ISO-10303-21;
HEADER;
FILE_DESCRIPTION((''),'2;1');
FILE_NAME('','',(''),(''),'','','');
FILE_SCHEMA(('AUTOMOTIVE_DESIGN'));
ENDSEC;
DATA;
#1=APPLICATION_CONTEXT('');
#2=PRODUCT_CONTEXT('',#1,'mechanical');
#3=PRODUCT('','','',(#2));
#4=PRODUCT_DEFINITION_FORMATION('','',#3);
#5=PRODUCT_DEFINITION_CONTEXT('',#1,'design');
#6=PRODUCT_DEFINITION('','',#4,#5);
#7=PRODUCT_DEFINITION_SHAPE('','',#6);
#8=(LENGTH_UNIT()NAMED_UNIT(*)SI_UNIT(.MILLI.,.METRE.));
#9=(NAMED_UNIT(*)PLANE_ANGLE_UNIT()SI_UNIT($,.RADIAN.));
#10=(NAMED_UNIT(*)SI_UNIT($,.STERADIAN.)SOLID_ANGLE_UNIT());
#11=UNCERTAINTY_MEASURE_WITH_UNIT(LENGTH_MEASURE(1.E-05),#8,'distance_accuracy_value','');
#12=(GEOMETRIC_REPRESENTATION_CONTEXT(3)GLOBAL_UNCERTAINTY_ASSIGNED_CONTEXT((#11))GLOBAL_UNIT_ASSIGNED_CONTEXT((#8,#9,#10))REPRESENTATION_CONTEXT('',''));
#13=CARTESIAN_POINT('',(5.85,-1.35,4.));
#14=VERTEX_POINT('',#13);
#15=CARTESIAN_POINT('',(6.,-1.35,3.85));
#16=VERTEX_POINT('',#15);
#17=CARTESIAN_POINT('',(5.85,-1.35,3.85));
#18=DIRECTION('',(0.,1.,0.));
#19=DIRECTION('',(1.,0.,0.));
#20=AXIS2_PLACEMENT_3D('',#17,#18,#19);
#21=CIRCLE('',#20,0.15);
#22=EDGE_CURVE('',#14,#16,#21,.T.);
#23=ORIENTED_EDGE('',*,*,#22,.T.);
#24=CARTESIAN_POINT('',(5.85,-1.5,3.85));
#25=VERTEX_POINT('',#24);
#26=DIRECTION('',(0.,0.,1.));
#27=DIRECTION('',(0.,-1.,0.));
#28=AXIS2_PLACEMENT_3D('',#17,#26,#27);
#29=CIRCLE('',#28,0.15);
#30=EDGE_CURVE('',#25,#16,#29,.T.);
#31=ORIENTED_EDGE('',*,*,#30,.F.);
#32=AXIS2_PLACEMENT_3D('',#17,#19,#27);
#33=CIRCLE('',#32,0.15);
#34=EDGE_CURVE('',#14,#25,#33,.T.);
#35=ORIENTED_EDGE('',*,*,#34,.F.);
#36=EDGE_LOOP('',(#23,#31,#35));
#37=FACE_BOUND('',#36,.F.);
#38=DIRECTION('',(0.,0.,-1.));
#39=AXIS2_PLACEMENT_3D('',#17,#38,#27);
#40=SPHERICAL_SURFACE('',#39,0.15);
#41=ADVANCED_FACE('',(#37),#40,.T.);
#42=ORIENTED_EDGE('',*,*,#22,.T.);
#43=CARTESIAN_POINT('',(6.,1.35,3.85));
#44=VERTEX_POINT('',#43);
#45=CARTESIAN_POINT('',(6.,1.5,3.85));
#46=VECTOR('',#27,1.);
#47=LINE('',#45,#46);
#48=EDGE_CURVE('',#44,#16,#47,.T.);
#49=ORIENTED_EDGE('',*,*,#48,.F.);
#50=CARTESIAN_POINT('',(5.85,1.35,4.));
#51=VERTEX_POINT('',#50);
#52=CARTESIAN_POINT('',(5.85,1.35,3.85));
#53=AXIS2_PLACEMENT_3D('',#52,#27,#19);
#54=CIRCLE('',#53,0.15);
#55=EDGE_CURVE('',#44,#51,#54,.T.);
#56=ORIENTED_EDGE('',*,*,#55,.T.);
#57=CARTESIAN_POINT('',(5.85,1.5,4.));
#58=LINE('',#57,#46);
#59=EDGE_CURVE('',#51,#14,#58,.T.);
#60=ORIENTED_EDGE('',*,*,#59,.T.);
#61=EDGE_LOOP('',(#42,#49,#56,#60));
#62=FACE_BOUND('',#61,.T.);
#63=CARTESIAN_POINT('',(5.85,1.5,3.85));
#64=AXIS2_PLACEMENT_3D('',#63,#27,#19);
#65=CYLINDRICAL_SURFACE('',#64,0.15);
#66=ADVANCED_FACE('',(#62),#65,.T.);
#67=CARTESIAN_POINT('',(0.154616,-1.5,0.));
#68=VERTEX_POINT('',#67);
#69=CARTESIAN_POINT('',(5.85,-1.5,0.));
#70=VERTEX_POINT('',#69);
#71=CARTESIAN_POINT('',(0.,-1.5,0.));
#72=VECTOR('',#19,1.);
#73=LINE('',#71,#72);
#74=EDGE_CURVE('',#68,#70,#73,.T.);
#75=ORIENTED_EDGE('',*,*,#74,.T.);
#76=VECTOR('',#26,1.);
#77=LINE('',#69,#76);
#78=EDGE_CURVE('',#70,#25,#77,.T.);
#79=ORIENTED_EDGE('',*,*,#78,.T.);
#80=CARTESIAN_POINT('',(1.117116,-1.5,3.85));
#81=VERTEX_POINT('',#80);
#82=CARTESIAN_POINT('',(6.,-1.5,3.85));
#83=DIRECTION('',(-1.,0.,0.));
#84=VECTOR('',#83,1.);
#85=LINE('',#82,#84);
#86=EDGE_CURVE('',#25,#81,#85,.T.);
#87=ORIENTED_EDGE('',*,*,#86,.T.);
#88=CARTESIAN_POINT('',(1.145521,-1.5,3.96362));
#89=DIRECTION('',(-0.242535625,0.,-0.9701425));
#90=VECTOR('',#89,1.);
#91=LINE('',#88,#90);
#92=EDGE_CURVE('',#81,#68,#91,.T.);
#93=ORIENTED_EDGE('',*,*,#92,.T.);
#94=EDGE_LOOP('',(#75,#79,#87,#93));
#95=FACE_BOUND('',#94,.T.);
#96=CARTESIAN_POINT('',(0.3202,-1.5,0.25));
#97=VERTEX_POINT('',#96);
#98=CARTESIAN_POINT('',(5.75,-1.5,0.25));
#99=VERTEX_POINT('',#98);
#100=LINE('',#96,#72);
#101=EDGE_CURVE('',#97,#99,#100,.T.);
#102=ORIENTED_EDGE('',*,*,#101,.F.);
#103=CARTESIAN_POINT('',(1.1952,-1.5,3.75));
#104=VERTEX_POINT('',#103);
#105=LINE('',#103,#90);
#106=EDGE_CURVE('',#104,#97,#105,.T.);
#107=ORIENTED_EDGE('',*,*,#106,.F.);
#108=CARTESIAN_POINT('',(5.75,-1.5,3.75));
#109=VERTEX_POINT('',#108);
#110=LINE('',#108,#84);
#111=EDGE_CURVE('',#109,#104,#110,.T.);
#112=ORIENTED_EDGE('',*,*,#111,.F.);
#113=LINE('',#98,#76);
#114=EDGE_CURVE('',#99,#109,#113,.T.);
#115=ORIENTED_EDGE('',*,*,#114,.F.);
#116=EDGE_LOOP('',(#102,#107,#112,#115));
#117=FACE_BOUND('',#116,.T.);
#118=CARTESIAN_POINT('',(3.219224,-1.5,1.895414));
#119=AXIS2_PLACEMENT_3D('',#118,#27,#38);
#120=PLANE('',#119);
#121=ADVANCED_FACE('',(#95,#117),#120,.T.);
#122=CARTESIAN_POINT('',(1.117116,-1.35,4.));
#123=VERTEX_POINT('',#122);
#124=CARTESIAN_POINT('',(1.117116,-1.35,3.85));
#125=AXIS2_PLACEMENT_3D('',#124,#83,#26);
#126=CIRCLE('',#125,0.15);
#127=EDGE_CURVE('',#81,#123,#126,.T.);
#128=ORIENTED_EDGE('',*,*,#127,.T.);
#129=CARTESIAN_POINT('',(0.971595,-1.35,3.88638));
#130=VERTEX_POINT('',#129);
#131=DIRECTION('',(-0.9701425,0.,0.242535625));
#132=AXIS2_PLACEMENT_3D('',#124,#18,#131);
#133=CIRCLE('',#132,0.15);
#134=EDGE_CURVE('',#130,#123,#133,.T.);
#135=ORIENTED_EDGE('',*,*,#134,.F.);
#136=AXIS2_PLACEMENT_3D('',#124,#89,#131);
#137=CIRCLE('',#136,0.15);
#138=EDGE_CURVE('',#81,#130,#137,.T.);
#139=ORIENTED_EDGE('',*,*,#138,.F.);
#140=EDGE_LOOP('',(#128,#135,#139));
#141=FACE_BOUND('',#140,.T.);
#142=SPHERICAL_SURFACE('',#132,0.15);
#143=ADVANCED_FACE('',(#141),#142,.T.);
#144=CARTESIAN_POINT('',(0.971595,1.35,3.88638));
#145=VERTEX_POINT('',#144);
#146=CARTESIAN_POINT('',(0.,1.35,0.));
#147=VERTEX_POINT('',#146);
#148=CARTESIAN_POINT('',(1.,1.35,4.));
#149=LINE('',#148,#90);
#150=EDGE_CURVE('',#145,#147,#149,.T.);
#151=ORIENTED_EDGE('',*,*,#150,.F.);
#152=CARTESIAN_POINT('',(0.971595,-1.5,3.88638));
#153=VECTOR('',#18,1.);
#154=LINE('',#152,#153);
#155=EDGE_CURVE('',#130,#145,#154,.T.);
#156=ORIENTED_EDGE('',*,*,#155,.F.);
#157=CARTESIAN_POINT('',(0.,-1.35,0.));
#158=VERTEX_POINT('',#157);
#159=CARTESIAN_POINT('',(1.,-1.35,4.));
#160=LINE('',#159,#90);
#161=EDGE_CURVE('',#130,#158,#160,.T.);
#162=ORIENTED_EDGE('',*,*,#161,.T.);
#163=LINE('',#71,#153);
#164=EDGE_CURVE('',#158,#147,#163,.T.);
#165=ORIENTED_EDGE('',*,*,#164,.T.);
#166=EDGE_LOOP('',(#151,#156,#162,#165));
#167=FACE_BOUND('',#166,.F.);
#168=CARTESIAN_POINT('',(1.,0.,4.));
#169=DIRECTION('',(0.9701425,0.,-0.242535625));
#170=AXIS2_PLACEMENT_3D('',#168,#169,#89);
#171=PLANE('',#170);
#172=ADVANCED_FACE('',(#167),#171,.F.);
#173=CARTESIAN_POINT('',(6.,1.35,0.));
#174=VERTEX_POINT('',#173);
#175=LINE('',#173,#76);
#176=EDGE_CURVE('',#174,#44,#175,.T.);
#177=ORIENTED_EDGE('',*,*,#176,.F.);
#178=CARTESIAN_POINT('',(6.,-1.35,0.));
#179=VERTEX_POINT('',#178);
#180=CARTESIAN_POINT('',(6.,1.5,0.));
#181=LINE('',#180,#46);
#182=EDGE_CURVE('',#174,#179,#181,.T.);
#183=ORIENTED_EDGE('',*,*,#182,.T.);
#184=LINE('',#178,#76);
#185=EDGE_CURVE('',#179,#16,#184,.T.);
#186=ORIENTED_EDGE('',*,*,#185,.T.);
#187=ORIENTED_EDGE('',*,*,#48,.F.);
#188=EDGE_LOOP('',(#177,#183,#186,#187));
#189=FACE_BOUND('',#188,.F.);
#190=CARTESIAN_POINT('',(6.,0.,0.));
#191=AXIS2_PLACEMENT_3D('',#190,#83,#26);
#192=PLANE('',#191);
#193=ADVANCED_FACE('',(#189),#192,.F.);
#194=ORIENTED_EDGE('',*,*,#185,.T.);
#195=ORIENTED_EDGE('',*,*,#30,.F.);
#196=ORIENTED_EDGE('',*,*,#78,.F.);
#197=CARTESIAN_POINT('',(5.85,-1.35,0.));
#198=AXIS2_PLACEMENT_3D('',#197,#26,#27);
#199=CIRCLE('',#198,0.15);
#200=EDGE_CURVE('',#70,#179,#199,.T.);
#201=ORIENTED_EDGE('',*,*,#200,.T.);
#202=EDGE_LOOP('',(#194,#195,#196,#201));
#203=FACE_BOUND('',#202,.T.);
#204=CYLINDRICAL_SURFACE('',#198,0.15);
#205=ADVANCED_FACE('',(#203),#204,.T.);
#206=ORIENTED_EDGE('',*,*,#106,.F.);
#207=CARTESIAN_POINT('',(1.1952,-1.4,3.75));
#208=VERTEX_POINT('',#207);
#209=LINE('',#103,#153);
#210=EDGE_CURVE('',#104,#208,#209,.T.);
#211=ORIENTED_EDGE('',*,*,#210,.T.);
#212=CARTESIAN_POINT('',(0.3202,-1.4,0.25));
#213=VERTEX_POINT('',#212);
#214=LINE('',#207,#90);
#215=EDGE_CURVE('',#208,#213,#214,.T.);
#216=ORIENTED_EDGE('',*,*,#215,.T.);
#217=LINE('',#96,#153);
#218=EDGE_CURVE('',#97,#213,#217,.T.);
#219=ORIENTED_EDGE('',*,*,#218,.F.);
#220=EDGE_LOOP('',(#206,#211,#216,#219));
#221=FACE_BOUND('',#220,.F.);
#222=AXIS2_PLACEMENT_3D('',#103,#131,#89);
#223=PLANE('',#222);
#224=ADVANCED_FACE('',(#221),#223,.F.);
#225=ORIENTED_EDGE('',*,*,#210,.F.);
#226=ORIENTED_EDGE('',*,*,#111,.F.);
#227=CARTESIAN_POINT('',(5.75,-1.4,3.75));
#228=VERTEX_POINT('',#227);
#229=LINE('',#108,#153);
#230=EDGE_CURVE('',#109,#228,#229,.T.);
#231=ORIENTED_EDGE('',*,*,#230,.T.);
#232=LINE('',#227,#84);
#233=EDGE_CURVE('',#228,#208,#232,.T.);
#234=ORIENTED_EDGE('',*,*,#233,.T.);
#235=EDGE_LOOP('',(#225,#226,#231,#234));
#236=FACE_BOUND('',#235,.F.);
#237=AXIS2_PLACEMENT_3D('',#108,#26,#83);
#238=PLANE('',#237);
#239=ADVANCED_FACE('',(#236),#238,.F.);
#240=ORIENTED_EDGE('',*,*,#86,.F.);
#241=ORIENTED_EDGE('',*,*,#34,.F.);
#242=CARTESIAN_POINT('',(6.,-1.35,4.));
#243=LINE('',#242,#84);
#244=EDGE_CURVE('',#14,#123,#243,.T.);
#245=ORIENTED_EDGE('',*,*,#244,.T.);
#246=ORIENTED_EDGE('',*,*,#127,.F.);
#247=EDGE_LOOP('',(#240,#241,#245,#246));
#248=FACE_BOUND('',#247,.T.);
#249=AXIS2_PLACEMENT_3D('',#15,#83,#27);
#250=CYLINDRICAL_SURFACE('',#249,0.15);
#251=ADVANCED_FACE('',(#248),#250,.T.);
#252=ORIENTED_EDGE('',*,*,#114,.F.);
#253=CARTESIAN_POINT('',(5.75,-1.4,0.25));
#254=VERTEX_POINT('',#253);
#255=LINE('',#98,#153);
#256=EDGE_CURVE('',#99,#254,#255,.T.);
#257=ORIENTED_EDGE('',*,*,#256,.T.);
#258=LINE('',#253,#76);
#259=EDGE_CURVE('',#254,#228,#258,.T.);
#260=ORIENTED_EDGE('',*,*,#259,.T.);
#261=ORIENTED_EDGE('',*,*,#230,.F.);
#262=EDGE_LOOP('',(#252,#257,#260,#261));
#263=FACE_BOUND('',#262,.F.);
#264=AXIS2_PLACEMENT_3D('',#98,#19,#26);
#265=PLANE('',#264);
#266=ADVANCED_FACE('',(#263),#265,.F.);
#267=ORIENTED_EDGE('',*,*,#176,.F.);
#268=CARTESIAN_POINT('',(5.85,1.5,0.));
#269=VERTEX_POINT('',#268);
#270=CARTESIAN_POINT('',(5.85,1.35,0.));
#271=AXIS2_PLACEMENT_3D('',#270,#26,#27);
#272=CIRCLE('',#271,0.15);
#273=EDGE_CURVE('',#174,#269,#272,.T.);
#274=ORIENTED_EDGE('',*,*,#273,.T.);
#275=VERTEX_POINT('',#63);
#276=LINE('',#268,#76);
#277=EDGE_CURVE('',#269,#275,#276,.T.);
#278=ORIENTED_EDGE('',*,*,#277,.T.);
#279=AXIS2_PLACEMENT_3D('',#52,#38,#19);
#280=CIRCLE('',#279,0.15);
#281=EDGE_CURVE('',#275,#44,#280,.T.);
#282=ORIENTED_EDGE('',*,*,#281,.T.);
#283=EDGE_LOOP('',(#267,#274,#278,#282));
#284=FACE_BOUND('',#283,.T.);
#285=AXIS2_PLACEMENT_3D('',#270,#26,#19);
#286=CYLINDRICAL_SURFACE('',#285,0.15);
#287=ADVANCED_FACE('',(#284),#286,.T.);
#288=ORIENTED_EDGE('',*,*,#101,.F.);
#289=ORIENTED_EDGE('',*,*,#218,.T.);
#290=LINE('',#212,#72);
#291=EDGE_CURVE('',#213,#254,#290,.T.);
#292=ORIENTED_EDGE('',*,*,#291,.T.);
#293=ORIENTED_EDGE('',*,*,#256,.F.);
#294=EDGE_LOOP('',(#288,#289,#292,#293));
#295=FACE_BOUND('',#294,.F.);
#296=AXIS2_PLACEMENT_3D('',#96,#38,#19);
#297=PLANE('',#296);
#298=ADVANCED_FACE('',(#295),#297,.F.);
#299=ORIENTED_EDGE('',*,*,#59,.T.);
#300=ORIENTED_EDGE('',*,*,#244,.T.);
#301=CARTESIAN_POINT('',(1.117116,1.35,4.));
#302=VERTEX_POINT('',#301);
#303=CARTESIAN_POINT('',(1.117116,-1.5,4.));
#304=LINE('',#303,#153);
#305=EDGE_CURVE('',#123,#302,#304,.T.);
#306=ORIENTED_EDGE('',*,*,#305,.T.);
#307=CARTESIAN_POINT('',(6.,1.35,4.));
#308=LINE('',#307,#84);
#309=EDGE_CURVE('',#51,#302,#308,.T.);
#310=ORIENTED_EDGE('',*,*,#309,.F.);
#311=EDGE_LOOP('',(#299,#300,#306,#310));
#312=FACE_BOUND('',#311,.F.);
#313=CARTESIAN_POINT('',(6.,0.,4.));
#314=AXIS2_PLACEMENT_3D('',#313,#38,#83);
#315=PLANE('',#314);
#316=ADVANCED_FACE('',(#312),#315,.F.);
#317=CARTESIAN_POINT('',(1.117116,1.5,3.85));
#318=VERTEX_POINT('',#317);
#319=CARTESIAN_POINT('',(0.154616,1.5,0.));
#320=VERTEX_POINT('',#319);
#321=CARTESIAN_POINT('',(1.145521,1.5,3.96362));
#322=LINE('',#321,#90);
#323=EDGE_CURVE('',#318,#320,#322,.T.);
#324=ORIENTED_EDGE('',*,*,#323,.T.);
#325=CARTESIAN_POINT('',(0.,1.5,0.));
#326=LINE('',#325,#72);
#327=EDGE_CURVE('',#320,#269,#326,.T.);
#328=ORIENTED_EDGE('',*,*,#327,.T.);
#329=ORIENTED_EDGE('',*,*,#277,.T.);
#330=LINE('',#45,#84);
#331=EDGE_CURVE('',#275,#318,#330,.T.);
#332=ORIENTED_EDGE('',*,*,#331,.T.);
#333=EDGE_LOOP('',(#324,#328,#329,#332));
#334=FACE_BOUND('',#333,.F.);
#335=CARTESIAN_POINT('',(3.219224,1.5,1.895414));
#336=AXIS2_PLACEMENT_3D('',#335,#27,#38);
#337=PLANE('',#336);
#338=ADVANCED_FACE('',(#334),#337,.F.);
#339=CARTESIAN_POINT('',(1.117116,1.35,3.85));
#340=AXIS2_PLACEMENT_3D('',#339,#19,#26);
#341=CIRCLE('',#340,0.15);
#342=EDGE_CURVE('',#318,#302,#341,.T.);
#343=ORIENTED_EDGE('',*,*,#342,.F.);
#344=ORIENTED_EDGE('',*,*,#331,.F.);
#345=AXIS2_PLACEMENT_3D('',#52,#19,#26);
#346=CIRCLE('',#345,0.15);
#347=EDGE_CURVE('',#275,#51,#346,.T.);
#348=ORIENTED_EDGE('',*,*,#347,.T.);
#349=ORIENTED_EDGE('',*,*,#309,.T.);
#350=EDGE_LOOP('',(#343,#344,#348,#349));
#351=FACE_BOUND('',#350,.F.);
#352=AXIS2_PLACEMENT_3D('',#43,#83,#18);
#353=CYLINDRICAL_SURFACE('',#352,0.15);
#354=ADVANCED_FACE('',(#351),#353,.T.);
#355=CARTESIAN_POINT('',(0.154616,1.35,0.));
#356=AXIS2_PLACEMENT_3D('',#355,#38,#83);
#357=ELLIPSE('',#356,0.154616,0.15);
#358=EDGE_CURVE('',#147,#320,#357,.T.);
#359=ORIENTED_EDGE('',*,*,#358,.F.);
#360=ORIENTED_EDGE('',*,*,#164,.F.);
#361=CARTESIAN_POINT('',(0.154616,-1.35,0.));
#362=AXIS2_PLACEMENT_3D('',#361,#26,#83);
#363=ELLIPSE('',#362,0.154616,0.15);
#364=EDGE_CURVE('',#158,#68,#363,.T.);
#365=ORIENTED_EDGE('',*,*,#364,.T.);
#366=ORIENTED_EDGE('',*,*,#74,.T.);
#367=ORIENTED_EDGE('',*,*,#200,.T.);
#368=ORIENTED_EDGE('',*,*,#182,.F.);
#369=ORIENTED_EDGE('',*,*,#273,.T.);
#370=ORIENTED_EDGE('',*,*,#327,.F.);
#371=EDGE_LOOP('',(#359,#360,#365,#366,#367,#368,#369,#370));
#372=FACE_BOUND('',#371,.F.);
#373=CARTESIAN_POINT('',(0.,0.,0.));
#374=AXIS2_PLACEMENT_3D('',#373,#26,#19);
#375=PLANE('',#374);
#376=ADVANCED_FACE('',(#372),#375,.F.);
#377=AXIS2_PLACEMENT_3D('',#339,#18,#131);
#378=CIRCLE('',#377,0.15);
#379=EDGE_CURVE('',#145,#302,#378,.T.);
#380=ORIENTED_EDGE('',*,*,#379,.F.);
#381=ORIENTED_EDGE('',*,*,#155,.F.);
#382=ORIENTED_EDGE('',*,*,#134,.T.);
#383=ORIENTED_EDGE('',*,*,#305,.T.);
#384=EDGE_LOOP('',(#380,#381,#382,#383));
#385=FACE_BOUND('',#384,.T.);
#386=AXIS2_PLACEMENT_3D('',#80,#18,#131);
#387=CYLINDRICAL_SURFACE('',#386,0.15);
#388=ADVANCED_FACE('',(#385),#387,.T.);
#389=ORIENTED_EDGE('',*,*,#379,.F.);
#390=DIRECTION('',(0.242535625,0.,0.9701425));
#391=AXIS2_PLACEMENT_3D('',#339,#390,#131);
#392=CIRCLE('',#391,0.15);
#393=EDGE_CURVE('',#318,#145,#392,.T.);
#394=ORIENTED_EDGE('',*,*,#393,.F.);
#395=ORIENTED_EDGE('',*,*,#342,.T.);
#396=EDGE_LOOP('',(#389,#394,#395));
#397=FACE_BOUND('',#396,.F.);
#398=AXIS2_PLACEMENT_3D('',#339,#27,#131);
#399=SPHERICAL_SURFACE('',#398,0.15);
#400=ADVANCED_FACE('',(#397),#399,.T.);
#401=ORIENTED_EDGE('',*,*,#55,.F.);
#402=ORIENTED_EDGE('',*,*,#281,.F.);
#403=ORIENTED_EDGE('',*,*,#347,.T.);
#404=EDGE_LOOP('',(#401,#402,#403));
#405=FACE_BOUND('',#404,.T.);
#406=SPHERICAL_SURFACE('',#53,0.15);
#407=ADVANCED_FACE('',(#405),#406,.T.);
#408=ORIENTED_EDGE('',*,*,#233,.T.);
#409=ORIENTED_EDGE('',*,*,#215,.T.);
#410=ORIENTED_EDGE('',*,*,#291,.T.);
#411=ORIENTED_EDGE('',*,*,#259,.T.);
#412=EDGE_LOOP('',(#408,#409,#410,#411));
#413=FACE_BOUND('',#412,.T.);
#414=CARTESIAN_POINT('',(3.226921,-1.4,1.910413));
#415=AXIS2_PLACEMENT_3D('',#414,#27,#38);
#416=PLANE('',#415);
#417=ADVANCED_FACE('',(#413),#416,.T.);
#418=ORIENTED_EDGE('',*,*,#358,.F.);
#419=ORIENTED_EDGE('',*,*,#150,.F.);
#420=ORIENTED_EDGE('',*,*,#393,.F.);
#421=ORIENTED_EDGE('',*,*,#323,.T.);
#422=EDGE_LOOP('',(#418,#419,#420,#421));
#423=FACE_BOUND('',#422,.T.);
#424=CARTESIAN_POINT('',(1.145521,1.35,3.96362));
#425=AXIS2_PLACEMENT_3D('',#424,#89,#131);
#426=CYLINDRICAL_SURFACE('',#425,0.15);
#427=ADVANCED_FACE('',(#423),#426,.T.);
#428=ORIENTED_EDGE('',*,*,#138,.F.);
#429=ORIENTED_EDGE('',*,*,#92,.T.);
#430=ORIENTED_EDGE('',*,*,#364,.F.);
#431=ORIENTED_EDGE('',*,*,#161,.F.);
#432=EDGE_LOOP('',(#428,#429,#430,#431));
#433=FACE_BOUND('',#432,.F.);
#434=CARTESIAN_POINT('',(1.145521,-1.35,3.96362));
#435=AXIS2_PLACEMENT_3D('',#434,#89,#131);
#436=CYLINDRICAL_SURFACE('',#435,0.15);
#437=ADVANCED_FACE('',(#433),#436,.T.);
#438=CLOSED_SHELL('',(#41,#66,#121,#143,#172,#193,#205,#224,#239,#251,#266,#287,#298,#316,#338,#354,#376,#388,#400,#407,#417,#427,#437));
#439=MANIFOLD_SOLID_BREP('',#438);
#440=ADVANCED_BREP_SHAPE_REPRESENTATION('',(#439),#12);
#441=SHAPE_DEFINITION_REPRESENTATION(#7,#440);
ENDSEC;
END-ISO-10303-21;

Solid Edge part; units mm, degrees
sketch "Sketch1" plane through (0, 0, 0) normal (0, -1, 0) x (1, 0, 0)
  line L0 (0, 0) -> (6, 0)
  line L1 (6, 0) -> (6, 4)
  line L2 (6, 4) -> (1, 4)
  line L3 (1, 4) -> (0, 0)
extrude "Protrusion1" add sketch "Sketch1" along normal mid plane 3
sketch "Sketch2" plane through (3, -1.5, 2) normal (0, -1, 0) x (1, 0, 0)
  line L0 (-1.8048, 1.75) -> (-2.6798, -1.75)
  line L1 (-2.6798, -1.75) -> (2.75, -1.75)
  line L2 (2.75, -1.75) -> (2.75, 1.75)
  line L3 (2.75, 1.75) -> (-1.8048, 1.75)
  dimension "D1" = 0.25
extrude "ExtrudedCutout_1" cut sketch "Sketch2" against normal blind 0.1
fillet "Round_1" radius 0.15 8 edges at (6, -1.5, 2) (3.5, -1.5, 4) (6, 0, 4) (6, 1.5, 2) (3.5, 1.5, 4) (1, 0, 4) (0.5, 1.5, 2) (0.5, -1.5, 2)
properties material "Stainless Steel, 420"
